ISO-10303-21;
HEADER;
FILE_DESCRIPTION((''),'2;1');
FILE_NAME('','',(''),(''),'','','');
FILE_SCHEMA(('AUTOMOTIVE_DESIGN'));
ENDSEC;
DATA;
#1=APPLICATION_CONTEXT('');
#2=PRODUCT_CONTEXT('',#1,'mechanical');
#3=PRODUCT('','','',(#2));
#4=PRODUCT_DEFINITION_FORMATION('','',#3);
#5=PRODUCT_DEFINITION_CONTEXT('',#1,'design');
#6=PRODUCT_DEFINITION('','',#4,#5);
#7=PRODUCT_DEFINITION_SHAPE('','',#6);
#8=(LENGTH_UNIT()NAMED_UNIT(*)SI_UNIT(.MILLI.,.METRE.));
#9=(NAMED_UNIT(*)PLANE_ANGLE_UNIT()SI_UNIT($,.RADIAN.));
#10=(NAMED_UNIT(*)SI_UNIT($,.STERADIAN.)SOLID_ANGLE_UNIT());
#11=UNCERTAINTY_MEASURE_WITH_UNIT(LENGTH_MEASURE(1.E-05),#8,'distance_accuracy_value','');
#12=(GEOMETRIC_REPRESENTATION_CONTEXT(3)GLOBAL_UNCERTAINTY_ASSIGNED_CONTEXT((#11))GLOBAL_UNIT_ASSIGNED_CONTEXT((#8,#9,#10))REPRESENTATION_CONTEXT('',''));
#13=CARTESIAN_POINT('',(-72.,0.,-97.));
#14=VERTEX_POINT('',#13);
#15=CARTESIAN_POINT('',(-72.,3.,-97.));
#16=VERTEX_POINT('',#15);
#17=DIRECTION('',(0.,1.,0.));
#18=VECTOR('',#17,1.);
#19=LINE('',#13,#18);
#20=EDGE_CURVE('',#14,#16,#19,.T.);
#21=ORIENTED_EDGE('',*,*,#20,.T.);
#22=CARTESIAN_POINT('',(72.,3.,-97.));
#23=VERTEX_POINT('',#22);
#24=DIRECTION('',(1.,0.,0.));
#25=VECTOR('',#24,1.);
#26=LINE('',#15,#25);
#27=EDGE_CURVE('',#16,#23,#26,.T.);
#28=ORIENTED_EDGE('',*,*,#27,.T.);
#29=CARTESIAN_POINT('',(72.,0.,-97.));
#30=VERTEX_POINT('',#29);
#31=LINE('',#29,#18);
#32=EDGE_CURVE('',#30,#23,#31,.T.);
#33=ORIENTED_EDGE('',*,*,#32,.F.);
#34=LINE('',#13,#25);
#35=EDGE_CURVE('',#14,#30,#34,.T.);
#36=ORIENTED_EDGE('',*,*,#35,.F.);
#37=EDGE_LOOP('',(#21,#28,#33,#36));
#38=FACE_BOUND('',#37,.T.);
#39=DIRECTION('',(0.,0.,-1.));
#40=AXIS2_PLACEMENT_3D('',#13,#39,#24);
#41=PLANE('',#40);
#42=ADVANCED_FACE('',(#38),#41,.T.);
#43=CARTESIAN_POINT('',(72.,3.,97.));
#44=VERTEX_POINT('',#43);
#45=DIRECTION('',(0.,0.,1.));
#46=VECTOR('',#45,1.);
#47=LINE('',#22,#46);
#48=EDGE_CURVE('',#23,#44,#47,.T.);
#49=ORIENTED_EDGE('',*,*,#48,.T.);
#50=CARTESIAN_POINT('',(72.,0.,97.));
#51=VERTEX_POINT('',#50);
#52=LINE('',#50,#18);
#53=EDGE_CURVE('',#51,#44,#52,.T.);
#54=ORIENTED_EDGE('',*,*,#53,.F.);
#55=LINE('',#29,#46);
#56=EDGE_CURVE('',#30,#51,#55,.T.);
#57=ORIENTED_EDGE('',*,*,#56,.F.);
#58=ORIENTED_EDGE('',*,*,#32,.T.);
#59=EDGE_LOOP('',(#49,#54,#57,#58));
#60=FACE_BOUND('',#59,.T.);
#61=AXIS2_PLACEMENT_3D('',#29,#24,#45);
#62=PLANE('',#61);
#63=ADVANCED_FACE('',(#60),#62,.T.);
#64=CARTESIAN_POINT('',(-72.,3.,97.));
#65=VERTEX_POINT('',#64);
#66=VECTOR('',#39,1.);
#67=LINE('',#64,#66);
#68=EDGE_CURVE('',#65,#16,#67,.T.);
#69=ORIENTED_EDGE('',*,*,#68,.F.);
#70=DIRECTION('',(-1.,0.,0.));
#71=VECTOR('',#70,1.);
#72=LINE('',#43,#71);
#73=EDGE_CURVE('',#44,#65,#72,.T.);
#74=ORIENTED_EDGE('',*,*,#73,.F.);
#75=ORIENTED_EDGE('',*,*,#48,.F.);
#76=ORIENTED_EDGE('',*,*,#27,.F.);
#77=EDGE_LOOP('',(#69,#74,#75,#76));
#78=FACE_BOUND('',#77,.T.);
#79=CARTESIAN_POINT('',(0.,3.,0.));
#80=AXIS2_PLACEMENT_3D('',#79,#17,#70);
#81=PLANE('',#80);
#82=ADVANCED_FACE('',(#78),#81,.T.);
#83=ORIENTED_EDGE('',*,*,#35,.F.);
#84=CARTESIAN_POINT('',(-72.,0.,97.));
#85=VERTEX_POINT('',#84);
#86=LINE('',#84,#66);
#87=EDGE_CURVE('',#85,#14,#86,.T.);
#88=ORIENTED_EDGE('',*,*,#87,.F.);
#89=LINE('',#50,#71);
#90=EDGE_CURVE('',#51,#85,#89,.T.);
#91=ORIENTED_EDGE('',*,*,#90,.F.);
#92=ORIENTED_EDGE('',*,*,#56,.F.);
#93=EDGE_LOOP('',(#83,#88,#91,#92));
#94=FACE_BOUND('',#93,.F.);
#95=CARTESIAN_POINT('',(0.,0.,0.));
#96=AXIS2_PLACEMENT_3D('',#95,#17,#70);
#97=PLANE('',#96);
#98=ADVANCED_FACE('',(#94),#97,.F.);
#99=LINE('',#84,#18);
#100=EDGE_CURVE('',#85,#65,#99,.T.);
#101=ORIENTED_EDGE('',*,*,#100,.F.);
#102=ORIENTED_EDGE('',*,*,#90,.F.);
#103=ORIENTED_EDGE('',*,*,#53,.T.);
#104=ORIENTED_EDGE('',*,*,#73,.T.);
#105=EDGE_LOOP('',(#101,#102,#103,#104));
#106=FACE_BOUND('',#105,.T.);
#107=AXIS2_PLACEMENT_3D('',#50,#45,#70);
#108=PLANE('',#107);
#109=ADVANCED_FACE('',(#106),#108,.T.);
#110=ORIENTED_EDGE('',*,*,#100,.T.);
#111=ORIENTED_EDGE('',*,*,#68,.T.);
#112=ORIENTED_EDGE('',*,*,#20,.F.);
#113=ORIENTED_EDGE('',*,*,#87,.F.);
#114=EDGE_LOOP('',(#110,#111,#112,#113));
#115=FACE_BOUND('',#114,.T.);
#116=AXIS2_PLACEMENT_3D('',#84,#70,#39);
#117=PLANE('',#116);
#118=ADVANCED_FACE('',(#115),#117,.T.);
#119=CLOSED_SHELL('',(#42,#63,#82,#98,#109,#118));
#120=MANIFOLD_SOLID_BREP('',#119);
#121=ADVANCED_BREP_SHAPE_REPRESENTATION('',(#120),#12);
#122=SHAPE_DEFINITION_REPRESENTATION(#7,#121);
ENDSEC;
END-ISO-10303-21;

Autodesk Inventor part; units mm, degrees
ref_plane "YZ Plane" through (0, 0, 0) normal (1, 0, 0) x (0, 1, 0)
ref_plane "XZ Plane" through (0, 0, 0) normal (0, 1, 0) x (-1, 0, 0)
ref_plane "XY Plane" through (0, 0, 0) normal (0, 0, 1) x (1, 0, 0)
sketch "Sketch1" plane through (0, 0, 0) normal (0, 1, 0) x (-1, 0, 0)
  line L0 (-72, 97) -> (72, 97)
  line L1 (72, 97) -> (72, -97)
  line L2 (72, -97) -> (-72, -97)
  line L3 (-72, -97) -> (-72, 97)
  line L4 (-72, 97) -> (72, -97) construction
  line L5 (72, 97) -> (-72, -97) construction
  point P0 (0, 0)
  dimension "d0" = 144
  dimension "d1" = 194
extrude "Extrusion1" add sketch "Sketch1" along normal blind 3
properties part number "DoosjeBovenkant" material "Wood (Cherry)"
